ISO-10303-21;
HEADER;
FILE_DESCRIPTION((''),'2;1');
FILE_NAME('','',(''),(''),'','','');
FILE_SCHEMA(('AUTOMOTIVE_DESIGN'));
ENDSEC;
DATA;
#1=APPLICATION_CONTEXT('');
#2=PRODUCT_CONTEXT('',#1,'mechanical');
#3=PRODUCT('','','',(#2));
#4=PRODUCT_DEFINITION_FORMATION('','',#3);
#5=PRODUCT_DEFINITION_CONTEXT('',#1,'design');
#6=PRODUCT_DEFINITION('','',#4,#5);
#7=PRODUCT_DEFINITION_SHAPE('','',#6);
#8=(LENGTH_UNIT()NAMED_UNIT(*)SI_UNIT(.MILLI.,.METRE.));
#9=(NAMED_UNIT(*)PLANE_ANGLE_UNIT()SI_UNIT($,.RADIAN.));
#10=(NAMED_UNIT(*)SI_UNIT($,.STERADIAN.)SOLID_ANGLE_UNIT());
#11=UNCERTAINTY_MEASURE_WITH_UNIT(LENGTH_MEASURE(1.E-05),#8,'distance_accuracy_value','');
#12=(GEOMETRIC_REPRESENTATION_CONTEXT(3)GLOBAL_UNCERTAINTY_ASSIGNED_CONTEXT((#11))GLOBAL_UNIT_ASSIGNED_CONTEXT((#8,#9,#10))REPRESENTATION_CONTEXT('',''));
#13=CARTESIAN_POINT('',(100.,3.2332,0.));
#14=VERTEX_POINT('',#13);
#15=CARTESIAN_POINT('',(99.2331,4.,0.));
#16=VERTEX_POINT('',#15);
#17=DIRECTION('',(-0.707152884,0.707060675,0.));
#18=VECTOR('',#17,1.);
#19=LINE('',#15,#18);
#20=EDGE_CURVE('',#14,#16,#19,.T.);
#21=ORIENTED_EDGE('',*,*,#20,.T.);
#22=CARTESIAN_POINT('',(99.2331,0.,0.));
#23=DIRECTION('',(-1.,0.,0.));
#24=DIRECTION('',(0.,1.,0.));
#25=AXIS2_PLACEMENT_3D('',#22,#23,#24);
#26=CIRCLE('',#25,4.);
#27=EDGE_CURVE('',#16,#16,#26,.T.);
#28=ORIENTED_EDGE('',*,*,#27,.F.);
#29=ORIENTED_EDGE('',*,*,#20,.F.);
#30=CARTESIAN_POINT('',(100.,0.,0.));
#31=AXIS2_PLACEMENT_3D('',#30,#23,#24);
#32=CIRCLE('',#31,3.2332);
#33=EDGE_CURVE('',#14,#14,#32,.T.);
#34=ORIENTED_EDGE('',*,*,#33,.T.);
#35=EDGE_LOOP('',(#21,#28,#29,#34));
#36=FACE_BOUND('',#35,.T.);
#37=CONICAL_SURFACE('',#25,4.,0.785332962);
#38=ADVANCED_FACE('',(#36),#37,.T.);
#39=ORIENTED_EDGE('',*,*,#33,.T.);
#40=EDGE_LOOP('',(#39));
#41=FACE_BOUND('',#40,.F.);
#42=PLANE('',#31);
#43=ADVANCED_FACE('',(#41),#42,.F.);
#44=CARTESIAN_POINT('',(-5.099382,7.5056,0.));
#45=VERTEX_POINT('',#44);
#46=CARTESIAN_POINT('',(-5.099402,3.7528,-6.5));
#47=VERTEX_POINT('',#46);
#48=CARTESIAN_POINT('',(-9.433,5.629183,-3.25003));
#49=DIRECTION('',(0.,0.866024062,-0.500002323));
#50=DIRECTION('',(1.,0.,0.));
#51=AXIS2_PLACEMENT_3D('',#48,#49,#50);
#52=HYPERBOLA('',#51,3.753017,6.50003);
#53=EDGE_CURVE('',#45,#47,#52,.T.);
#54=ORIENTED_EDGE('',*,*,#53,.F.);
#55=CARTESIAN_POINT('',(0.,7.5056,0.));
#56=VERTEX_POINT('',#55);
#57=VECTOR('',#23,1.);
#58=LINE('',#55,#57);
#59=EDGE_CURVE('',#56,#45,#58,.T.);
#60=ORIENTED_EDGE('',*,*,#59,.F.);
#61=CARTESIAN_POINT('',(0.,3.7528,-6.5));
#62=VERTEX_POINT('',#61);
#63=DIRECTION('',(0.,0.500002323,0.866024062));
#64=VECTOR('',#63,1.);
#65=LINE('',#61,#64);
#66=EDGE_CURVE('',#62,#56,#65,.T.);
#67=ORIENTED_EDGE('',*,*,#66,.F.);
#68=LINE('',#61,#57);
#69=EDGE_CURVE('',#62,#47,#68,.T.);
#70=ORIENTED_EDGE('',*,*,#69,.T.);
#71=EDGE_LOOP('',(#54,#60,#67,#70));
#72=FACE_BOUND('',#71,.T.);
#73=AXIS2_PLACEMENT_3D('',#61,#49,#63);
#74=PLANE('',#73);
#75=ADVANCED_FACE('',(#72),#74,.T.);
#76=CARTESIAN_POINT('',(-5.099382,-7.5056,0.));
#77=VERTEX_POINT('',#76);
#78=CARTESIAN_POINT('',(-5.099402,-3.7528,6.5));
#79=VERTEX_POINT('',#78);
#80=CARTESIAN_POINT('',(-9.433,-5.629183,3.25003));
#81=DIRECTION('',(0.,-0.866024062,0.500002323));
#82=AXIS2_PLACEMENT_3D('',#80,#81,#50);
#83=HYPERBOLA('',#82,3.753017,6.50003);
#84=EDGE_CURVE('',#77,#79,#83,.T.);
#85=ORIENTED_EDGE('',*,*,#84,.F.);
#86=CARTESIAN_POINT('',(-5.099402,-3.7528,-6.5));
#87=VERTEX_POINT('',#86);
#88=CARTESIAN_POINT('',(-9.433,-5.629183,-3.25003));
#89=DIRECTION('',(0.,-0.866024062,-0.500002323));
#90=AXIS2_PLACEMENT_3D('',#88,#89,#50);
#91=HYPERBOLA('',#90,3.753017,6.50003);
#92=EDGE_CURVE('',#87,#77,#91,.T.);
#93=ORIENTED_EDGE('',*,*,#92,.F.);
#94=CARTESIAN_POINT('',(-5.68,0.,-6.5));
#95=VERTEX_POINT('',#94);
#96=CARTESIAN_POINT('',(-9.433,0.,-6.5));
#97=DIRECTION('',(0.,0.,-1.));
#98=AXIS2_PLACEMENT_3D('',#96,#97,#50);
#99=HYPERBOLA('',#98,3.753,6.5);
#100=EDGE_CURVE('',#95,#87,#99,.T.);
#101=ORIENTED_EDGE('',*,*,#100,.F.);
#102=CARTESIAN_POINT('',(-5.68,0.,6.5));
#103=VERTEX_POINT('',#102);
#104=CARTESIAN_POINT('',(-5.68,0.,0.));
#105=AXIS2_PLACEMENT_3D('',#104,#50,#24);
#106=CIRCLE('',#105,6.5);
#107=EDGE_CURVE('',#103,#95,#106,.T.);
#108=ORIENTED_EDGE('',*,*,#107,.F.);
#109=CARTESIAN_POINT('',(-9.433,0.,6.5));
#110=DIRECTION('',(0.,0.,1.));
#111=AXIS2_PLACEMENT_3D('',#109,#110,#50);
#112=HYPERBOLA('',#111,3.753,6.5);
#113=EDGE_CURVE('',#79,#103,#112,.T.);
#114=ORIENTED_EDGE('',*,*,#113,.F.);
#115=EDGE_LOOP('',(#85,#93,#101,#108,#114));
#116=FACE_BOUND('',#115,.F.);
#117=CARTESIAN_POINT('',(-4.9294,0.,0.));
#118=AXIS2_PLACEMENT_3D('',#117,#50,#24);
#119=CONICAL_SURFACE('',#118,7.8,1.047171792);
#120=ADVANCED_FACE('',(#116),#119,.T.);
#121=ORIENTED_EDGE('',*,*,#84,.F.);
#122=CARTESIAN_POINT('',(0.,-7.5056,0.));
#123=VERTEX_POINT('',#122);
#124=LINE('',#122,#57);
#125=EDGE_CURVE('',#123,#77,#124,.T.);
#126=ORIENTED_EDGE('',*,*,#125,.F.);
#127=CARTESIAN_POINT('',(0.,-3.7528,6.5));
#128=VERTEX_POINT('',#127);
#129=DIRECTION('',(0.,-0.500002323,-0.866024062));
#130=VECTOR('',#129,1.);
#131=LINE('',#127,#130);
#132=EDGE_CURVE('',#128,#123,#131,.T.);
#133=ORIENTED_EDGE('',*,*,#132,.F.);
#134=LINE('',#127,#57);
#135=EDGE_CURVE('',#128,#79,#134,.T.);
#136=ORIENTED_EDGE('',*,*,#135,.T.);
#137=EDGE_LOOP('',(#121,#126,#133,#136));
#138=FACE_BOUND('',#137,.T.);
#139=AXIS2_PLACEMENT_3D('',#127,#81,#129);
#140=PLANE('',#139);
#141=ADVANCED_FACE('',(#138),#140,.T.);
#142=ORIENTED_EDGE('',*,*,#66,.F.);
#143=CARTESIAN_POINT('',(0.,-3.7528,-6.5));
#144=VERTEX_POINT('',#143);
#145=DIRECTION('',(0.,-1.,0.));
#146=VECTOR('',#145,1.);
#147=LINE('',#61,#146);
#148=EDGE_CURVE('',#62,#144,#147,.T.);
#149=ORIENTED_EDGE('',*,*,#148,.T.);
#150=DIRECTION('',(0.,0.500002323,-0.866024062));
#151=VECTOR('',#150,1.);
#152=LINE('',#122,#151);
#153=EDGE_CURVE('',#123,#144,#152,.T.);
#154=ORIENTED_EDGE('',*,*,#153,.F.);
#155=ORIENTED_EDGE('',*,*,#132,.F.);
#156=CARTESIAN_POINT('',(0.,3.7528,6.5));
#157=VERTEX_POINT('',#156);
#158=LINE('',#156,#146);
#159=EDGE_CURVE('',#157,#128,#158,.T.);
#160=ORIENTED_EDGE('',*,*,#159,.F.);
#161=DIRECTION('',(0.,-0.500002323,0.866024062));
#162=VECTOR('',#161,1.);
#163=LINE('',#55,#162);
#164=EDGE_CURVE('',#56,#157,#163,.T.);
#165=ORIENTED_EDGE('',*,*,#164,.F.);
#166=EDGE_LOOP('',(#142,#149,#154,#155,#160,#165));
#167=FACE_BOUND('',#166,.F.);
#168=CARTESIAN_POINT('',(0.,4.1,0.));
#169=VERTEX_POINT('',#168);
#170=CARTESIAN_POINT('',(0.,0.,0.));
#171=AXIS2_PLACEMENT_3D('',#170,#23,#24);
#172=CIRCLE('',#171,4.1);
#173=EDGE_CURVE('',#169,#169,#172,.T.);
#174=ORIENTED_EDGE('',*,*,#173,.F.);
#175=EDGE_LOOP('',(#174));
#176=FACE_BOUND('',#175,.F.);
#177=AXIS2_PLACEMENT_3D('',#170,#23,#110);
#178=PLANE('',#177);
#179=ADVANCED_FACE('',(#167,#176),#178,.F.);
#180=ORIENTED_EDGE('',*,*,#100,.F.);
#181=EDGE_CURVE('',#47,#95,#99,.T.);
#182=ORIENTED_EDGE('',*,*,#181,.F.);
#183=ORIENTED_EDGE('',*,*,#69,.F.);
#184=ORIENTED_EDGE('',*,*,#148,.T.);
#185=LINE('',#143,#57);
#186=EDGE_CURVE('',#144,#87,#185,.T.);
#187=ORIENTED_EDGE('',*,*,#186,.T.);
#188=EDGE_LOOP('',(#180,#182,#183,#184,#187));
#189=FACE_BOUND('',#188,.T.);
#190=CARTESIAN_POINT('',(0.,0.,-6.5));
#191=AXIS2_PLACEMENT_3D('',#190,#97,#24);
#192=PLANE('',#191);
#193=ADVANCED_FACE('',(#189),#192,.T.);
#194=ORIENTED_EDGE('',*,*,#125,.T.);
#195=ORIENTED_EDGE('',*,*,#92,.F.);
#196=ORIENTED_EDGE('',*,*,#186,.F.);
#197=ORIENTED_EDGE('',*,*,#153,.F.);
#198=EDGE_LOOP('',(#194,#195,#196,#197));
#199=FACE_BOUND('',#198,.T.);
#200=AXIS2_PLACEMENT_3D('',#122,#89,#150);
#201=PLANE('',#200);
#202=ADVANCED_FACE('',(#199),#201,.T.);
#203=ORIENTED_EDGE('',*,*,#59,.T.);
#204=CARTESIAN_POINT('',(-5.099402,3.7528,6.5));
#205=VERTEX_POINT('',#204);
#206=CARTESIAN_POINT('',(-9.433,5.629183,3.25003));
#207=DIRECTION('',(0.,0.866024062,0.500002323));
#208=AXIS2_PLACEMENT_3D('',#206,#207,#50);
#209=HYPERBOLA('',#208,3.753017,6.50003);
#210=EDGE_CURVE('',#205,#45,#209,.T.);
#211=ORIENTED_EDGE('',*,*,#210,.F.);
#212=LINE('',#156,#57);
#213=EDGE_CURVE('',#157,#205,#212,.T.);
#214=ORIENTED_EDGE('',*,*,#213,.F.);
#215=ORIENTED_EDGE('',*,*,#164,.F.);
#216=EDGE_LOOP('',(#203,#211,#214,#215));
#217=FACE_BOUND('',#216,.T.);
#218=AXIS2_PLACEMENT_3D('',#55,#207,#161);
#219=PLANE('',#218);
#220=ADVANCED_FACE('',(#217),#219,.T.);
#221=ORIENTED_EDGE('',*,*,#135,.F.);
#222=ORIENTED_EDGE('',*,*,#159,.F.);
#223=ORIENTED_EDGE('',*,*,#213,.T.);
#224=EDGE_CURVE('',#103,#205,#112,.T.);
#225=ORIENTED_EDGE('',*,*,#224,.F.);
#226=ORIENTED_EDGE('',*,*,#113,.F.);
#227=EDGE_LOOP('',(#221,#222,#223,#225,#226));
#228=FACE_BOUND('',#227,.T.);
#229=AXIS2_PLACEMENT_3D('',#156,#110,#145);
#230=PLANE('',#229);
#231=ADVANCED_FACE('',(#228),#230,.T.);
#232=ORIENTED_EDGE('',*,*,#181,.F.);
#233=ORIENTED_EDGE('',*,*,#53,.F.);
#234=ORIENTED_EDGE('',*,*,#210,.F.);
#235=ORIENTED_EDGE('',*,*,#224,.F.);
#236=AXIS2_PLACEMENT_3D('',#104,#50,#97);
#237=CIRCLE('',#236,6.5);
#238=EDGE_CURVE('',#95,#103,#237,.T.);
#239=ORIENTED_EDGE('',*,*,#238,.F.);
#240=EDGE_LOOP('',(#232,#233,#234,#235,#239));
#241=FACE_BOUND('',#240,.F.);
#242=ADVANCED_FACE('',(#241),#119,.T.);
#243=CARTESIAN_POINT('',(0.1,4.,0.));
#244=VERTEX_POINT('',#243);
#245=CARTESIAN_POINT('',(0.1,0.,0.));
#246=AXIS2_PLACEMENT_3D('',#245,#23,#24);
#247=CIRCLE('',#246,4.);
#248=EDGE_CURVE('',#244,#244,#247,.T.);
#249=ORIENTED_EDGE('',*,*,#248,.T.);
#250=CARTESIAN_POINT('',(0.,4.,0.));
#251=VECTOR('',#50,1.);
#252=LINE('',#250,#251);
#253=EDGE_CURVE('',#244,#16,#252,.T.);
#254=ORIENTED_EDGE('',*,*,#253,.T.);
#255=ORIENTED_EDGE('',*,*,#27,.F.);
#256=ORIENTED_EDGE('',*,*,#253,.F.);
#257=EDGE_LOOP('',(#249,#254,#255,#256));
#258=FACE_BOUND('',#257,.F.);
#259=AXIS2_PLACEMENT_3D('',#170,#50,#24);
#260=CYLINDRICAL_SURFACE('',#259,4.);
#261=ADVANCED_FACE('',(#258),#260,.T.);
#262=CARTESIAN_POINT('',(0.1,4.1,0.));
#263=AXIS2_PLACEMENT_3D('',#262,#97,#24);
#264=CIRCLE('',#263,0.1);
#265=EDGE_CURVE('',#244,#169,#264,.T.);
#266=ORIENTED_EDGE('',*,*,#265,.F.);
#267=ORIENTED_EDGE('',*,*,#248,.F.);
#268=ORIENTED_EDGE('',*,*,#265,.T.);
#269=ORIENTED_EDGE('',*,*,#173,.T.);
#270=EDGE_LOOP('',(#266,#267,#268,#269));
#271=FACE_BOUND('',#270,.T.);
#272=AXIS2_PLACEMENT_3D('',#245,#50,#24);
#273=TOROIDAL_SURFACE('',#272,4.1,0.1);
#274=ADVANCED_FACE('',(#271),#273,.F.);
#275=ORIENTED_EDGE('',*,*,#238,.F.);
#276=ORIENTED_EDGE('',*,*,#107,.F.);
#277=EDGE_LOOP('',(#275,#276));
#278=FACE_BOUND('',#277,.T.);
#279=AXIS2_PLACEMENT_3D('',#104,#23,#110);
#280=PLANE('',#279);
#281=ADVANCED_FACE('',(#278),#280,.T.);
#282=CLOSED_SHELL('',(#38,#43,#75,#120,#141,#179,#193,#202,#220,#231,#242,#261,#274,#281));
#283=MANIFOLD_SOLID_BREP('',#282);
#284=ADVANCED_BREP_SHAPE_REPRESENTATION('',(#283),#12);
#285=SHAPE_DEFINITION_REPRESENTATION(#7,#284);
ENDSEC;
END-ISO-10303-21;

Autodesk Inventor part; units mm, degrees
ref_plane "YZ Plane" through (0, 0, 0) normal (1, 0, 0) x (0, 1, 0)
ref_plane "XZ Plane" through (0, 0, 0) normal (0, 1, 0) x (-1, 0, 0)
sketch "Sketch1" plane through (0, 0, 0) normal (0, 0, 1) x (1, 0, 0)
  line L0 (0, 4) -> (100, 4)
  line L1 (100, 4) -> (100, 0)
  line L2 (100, 0) -> (0, 0)
  line L3 (-17, 0) -> (102, 0) projected
  line L4 (0, -0.8) -> (0, 4.8) projected
  line L5 (0, 4) -> (0, 0)
  dimension "d2" = 8
  dimension "d59" = 100
revolve "Body" add sketch "Sketch1" angle 360 about axis through (100, 0, 0) along (-1, 0, 0)
sketch "Sketch2" plane through (0, 0, 0) normal (-1, 0, 0) x (0, 0, 1)
  line L0 (0, 7.5056) -> (6.5, 3.7528)
  line L1 (6.5, 3.7528) -> (6.5, -3.7528)
  line L2 (6.5, -3.7528) -> (0, -7.5056)
  line L3 (0, -7.5056) -> (-6.5, -3.7528)
  line L4 (-6.5, -3.7528) -> (-6.5, 3.7528)
  line L5 (-6.5, 3.7528) -> (0, 7.5056)
  line L6 (-9.1, 0) -> (9.1, 0) projected
  line L7 (0, 10.5078) -> (0, -10.5078) projected
  point P0 (0, 0)
  point P1 (0, 0)
  dimension "d11" = 13
extrude "Head" add sketch "Sketch2" along normal blind 5.68
sketch "Sketch4" plane through (0, 0, 0) normal (0, 0, 1) x (1, 0, 0)
  line L0 (-4.9294, 7.8) -> (-5.68, 6.5)
  line L1 (-1.1, 0) -> (-0.234, 0)
  line L2 (-6.7692, 0) -> (0.8552, 0) projected
  line L3 (-5.68, 7.8) -> (-4.9294, 7.8)
  line L4 (-5.68, 6.5) -> (-5.68, 7.8)
  line L5 (0, 9.36) -> (0, -1.56) projected
  dimension "d65" = 13
  dimension "d67" = 30
  dimension "d68" = 15.6
  dimension "d69" = 5.68
revolve "Chamfer1" cut sketch "Sketch4" angle 360 about axis through (-1.1, 0, 0) along (1, 0, 0)
thread "Thread" size "M8x1.25" class "6g" standard "ISO Metric profile" length 22
chamfer "Chamfer2" distance 0.7668 distance2 0.7669 1 edges at (100, -4, 0) measured on face at (100, -1.054, 1.6624)
fillet "Fillet" radius 0.1 1 edges at (0, -4, 0)
ref_plane "Work Plane1" through (1.525, 0, 0) normal (0, 0, 1) x (1, 0, 0)
equation "\"d2\" = GD"
equation "\"d59\" = NLG"
equation "\"d11\" = SW"
equation "\"d3\" = KOH"
equation "\"d15\" = GEL"
equation "\"d6\" = -0.5 * SPD + 0.5 * GD"
equation "\"d71\" = RR"
equation "\"d65\" = SW"
equation "\"d67\" = ANG1"
equation "\"d68\" = 1.2 * SW"
equation "\"d69\" = KOH"
equation "\"NLG\" = 100"
equation "\"GD\" = NND"
equation "\"BDM\" = NND"
equation "\"KOH\" = 5.68"
equation "\"GEL\" = 22"
equation "\"SW\" = 13"
equation "\"SW0\" = SW"
equation "\"SPD\" = NND - 1.2269 * PTC"
equation "\"SD2\" = NND"
equation "\"SD\" = 0"
equation "\"ANG1\" = 30deg"
equation "\"GAL\" = 0.61345 * PTC"
equation "\"GUL\" = 0.61345 * PTC"
equation "\"RR\" = 0.1"
equation "\"RR1\" = 0.4"
equation "\"GD1\" = THREADDIA - 1.2269 * PTC"
equation "\"THREADDIA\" = 8"
equation "\"TOA\" = 30deg"
equation "\"PTC\" = 1.25"
equation "\"KOH1\" = 3.7"
equation "\"NND\" = 8"
equation "\"E0\" = 1.155 * SW"
properties part number "M8x100" material "Steel, Mild"
